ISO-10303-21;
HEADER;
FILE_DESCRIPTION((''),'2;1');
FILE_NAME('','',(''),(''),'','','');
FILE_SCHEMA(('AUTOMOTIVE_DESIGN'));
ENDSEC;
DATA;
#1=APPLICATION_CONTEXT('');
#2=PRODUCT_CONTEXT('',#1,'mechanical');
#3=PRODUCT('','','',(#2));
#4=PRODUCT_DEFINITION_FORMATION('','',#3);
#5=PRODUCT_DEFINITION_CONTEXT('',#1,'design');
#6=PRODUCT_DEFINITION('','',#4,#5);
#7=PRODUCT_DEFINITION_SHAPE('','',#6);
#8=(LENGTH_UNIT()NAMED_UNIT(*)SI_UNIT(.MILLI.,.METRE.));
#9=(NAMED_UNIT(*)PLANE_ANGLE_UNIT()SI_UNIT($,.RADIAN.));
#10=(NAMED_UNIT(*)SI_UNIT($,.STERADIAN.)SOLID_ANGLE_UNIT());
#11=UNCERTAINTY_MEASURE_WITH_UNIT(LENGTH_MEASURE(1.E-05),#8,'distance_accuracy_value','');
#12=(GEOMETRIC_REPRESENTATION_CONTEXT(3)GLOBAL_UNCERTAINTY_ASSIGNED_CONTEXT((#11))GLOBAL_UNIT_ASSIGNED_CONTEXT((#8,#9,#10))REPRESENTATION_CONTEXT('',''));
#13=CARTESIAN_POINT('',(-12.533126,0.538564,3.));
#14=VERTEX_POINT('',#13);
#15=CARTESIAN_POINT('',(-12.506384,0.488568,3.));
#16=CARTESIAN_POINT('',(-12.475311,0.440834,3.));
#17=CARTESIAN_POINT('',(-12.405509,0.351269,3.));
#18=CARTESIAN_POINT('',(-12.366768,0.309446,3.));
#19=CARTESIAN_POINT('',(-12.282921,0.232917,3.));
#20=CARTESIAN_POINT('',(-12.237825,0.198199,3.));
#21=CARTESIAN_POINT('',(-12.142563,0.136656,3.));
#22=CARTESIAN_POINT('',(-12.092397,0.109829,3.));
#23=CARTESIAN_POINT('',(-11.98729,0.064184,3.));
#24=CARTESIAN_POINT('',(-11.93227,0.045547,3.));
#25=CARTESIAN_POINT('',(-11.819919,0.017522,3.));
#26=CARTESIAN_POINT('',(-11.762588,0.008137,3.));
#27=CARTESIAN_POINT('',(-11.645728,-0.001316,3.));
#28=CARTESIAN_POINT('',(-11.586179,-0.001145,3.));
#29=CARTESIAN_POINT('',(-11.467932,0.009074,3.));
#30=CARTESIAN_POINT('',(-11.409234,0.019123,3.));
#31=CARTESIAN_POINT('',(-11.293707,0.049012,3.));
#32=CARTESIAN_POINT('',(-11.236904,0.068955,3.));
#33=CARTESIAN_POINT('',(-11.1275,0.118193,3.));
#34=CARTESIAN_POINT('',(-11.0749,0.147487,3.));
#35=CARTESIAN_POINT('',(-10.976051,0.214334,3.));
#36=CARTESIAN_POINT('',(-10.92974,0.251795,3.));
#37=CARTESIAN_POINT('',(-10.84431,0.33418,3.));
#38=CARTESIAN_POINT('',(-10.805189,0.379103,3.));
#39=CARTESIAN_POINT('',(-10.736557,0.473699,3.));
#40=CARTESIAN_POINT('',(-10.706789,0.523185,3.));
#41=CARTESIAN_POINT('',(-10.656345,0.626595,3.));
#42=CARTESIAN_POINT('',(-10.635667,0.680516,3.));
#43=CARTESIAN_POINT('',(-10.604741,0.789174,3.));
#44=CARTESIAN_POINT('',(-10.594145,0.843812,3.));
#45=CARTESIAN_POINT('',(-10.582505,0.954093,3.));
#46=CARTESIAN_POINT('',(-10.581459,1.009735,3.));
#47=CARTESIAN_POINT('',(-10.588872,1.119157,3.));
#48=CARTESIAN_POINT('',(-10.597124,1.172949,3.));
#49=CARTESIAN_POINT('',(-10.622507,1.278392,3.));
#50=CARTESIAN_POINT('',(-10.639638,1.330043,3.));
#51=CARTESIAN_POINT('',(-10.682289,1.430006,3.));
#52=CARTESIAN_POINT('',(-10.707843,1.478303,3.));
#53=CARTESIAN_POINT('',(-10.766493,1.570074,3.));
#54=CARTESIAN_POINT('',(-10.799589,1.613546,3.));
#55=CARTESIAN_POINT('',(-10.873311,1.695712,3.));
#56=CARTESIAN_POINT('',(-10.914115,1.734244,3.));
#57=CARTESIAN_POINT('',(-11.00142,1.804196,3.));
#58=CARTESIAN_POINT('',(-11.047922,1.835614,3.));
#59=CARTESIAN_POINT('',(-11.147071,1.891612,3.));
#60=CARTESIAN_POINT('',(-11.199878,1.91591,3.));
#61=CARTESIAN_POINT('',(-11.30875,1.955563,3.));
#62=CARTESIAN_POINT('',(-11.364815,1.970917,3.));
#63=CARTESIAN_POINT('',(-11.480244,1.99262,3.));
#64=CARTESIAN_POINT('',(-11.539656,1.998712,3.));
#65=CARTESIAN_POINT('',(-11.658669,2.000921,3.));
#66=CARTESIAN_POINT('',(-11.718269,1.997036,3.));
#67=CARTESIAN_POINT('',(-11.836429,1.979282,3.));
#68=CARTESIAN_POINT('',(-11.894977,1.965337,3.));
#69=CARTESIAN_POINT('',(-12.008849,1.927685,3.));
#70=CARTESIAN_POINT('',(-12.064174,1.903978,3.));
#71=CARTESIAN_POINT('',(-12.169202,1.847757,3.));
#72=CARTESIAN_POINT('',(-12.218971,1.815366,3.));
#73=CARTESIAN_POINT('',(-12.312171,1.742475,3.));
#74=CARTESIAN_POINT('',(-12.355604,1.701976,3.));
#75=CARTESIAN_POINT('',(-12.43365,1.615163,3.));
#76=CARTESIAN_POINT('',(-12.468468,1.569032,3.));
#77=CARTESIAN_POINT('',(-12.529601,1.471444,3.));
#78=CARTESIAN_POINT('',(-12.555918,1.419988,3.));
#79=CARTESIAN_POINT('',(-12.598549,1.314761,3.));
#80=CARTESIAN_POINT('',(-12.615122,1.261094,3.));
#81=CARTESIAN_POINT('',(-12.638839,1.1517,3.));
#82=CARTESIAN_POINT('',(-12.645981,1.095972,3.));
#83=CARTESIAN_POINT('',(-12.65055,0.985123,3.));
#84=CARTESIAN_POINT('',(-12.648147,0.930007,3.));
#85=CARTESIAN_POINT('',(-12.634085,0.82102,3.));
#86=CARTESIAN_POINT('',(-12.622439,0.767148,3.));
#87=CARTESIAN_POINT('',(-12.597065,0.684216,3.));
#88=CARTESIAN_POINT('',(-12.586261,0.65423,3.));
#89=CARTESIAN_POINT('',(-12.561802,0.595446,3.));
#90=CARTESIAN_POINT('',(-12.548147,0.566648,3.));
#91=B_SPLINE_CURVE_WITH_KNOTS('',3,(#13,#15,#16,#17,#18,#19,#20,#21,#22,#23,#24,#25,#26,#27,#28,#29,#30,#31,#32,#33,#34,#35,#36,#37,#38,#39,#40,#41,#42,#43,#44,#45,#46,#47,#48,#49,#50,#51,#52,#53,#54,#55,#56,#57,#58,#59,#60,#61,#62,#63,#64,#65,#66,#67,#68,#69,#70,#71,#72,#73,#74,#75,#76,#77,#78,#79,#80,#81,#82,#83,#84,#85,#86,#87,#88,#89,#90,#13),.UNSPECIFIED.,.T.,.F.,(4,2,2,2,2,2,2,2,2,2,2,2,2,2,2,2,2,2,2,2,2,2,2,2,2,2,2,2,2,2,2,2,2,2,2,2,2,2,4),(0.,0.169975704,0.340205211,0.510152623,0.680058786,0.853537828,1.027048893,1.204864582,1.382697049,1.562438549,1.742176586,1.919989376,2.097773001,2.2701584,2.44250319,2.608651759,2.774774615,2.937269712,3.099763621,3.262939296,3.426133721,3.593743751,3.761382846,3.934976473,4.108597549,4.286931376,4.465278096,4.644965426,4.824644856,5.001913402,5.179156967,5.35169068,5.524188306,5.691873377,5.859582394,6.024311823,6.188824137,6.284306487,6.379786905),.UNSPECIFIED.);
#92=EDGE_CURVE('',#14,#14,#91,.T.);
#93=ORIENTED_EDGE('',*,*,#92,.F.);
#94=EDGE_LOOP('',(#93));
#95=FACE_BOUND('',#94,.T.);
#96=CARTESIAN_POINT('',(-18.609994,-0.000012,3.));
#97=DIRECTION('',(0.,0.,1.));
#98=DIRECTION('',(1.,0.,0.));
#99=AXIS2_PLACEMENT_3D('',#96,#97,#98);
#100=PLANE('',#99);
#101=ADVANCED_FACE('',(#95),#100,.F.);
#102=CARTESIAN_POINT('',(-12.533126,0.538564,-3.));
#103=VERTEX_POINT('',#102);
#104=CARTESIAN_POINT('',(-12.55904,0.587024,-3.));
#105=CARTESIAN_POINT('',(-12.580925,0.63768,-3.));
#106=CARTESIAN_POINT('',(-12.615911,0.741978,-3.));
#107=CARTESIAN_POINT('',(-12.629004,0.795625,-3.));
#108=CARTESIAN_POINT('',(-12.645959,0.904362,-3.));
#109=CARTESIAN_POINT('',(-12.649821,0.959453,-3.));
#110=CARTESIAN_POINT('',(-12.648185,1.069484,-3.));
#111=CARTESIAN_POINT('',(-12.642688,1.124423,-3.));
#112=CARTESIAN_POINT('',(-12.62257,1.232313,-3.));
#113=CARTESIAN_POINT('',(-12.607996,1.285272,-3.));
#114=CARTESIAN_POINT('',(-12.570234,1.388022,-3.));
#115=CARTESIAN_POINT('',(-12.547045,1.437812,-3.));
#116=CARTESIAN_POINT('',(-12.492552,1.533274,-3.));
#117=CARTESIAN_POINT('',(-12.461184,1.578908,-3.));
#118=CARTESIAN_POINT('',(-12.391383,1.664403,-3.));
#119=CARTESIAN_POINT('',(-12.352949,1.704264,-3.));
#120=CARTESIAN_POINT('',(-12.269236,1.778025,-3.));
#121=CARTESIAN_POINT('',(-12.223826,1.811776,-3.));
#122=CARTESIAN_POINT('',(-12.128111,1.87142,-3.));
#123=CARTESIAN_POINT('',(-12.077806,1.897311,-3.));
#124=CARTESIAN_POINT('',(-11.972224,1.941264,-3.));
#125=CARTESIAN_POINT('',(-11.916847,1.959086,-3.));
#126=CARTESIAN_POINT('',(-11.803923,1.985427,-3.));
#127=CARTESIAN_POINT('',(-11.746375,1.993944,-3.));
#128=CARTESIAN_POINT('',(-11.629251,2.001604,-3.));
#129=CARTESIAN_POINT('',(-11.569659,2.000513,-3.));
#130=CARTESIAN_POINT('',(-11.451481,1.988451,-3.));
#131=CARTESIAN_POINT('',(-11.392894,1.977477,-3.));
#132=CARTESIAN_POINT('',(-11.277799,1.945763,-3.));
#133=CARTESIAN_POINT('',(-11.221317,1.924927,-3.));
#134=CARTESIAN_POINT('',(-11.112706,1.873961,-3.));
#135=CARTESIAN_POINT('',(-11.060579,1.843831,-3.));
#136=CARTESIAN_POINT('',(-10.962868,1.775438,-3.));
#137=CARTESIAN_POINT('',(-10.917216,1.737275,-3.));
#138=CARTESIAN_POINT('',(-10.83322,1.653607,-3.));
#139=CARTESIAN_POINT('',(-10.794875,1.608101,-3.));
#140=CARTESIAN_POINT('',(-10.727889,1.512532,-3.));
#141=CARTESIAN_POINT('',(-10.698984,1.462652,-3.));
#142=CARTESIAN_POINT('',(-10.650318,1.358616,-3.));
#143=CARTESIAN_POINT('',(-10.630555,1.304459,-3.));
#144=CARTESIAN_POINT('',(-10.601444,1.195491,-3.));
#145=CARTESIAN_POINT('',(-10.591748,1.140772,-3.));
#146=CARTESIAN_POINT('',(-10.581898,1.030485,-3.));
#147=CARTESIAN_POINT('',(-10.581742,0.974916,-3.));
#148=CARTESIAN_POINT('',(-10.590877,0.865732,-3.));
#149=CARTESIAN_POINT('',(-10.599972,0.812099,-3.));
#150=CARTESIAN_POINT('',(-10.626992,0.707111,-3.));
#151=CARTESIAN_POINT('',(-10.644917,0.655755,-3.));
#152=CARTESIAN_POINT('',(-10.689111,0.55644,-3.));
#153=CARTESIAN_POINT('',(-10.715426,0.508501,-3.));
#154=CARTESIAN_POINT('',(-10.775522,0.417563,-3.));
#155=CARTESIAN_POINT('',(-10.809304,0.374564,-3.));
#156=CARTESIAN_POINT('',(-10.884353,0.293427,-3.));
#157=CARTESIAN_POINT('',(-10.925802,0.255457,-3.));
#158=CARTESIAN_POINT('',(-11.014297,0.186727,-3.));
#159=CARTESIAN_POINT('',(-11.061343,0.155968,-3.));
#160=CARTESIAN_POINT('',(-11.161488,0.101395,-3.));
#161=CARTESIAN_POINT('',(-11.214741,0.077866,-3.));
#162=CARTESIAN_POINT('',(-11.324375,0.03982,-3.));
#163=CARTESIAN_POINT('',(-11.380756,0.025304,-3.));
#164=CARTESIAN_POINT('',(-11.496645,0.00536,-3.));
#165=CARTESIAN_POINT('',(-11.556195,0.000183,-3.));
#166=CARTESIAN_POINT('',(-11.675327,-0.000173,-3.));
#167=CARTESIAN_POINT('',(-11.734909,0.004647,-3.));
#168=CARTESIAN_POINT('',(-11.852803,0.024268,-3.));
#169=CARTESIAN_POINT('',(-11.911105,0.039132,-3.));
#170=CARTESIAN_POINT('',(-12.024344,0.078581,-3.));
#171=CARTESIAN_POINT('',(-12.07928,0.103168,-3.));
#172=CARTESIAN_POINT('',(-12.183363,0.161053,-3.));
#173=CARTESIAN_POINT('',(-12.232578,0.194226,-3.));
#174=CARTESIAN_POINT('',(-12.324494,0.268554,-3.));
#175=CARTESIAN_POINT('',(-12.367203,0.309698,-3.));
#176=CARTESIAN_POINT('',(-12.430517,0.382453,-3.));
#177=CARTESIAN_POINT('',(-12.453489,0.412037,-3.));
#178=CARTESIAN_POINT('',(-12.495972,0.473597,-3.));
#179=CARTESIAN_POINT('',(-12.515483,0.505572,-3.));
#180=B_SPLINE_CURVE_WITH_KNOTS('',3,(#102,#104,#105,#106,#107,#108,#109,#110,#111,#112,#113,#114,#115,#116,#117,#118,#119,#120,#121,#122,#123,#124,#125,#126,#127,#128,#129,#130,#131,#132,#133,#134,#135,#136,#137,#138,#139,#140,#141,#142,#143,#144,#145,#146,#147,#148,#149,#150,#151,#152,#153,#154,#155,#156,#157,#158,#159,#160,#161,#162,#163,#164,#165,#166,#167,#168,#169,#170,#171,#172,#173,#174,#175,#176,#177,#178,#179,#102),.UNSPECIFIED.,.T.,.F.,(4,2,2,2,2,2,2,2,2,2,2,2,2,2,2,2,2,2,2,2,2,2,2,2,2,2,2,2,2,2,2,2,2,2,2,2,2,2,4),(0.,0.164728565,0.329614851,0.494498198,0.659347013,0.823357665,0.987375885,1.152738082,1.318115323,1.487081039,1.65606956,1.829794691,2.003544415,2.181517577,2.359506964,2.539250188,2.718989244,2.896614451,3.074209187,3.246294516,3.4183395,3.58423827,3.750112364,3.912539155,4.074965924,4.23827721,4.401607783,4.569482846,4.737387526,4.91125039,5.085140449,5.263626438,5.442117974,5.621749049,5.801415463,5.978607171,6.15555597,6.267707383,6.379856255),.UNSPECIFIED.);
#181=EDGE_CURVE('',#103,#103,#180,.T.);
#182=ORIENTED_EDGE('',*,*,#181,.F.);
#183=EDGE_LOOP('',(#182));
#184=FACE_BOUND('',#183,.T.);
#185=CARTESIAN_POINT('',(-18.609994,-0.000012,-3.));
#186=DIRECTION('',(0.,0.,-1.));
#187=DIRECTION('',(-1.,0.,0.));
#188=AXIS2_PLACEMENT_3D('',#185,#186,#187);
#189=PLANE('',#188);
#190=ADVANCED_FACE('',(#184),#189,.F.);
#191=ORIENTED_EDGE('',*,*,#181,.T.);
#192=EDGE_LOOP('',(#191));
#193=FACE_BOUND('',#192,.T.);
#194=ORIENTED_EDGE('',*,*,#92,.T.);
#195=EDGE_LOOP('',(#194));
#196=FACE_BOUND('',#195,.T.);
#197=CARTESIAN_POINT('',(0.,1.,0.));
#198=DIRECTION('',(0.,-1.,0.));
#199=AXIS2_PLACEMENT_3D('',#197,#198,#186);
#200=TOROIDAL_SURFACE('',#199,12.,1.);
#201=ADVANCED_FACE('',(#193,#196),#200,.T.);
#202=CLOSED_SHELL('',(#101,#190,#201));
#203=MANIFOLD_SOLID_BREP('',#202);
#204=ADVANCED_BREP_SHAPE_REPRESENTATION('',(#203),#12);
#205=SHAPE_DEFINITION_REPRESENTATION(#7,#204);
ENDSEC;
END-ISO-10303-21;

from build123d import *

# Parameters (mm, degrees)
SKETCH_1_R               = 1
CUT_EXTRUDE_1_DEPTH      = 19.49324216
CUT_EXTRUDE_1_DEPTH_BACK = 19.49324216
SKETCH_2_W               = 18.251865013
SKETCH_2_H               = 6


with BuildPart() as part:
    # Эскиз1 → Повернуть1 (revolve)
    with BuildSketch(Plane.XY, mode=Mode.PRIVATE) as revolve_1_sk:
        with Locations((-12, 1)):
            Circle(SKETCH_1_R)
    revolve(revolve_1_sk.sketch.rotate(Axis((0, 0, 0), (0, 1, 0)), 270), axis=Axis((0, 0, 0), (0, 1, 0)))

    # Эскиз2 → Вырез-Вытянуть1 (cut, two sides: drawn at the far end of the back side and taken through both)
    with BuildSketch(Plane(origin=(0, 0, 0), x_dir=(1, 0, 0), z_dir=(0, 1, 0)).offset(-CUT_EXTRUDE_1_DEPTH_BACK)):
        with Locations((-9.484061507, 0)):
            Rectangle(SKETCH_2_W, SKETCH_2_H)
    extrude(amount=CUT_EXTRUDE_1_DEPTH + CUT_EXTRUDE_1_DEPTH_BACK, mode=Mode.SUBTRACT)


solid = part.part
